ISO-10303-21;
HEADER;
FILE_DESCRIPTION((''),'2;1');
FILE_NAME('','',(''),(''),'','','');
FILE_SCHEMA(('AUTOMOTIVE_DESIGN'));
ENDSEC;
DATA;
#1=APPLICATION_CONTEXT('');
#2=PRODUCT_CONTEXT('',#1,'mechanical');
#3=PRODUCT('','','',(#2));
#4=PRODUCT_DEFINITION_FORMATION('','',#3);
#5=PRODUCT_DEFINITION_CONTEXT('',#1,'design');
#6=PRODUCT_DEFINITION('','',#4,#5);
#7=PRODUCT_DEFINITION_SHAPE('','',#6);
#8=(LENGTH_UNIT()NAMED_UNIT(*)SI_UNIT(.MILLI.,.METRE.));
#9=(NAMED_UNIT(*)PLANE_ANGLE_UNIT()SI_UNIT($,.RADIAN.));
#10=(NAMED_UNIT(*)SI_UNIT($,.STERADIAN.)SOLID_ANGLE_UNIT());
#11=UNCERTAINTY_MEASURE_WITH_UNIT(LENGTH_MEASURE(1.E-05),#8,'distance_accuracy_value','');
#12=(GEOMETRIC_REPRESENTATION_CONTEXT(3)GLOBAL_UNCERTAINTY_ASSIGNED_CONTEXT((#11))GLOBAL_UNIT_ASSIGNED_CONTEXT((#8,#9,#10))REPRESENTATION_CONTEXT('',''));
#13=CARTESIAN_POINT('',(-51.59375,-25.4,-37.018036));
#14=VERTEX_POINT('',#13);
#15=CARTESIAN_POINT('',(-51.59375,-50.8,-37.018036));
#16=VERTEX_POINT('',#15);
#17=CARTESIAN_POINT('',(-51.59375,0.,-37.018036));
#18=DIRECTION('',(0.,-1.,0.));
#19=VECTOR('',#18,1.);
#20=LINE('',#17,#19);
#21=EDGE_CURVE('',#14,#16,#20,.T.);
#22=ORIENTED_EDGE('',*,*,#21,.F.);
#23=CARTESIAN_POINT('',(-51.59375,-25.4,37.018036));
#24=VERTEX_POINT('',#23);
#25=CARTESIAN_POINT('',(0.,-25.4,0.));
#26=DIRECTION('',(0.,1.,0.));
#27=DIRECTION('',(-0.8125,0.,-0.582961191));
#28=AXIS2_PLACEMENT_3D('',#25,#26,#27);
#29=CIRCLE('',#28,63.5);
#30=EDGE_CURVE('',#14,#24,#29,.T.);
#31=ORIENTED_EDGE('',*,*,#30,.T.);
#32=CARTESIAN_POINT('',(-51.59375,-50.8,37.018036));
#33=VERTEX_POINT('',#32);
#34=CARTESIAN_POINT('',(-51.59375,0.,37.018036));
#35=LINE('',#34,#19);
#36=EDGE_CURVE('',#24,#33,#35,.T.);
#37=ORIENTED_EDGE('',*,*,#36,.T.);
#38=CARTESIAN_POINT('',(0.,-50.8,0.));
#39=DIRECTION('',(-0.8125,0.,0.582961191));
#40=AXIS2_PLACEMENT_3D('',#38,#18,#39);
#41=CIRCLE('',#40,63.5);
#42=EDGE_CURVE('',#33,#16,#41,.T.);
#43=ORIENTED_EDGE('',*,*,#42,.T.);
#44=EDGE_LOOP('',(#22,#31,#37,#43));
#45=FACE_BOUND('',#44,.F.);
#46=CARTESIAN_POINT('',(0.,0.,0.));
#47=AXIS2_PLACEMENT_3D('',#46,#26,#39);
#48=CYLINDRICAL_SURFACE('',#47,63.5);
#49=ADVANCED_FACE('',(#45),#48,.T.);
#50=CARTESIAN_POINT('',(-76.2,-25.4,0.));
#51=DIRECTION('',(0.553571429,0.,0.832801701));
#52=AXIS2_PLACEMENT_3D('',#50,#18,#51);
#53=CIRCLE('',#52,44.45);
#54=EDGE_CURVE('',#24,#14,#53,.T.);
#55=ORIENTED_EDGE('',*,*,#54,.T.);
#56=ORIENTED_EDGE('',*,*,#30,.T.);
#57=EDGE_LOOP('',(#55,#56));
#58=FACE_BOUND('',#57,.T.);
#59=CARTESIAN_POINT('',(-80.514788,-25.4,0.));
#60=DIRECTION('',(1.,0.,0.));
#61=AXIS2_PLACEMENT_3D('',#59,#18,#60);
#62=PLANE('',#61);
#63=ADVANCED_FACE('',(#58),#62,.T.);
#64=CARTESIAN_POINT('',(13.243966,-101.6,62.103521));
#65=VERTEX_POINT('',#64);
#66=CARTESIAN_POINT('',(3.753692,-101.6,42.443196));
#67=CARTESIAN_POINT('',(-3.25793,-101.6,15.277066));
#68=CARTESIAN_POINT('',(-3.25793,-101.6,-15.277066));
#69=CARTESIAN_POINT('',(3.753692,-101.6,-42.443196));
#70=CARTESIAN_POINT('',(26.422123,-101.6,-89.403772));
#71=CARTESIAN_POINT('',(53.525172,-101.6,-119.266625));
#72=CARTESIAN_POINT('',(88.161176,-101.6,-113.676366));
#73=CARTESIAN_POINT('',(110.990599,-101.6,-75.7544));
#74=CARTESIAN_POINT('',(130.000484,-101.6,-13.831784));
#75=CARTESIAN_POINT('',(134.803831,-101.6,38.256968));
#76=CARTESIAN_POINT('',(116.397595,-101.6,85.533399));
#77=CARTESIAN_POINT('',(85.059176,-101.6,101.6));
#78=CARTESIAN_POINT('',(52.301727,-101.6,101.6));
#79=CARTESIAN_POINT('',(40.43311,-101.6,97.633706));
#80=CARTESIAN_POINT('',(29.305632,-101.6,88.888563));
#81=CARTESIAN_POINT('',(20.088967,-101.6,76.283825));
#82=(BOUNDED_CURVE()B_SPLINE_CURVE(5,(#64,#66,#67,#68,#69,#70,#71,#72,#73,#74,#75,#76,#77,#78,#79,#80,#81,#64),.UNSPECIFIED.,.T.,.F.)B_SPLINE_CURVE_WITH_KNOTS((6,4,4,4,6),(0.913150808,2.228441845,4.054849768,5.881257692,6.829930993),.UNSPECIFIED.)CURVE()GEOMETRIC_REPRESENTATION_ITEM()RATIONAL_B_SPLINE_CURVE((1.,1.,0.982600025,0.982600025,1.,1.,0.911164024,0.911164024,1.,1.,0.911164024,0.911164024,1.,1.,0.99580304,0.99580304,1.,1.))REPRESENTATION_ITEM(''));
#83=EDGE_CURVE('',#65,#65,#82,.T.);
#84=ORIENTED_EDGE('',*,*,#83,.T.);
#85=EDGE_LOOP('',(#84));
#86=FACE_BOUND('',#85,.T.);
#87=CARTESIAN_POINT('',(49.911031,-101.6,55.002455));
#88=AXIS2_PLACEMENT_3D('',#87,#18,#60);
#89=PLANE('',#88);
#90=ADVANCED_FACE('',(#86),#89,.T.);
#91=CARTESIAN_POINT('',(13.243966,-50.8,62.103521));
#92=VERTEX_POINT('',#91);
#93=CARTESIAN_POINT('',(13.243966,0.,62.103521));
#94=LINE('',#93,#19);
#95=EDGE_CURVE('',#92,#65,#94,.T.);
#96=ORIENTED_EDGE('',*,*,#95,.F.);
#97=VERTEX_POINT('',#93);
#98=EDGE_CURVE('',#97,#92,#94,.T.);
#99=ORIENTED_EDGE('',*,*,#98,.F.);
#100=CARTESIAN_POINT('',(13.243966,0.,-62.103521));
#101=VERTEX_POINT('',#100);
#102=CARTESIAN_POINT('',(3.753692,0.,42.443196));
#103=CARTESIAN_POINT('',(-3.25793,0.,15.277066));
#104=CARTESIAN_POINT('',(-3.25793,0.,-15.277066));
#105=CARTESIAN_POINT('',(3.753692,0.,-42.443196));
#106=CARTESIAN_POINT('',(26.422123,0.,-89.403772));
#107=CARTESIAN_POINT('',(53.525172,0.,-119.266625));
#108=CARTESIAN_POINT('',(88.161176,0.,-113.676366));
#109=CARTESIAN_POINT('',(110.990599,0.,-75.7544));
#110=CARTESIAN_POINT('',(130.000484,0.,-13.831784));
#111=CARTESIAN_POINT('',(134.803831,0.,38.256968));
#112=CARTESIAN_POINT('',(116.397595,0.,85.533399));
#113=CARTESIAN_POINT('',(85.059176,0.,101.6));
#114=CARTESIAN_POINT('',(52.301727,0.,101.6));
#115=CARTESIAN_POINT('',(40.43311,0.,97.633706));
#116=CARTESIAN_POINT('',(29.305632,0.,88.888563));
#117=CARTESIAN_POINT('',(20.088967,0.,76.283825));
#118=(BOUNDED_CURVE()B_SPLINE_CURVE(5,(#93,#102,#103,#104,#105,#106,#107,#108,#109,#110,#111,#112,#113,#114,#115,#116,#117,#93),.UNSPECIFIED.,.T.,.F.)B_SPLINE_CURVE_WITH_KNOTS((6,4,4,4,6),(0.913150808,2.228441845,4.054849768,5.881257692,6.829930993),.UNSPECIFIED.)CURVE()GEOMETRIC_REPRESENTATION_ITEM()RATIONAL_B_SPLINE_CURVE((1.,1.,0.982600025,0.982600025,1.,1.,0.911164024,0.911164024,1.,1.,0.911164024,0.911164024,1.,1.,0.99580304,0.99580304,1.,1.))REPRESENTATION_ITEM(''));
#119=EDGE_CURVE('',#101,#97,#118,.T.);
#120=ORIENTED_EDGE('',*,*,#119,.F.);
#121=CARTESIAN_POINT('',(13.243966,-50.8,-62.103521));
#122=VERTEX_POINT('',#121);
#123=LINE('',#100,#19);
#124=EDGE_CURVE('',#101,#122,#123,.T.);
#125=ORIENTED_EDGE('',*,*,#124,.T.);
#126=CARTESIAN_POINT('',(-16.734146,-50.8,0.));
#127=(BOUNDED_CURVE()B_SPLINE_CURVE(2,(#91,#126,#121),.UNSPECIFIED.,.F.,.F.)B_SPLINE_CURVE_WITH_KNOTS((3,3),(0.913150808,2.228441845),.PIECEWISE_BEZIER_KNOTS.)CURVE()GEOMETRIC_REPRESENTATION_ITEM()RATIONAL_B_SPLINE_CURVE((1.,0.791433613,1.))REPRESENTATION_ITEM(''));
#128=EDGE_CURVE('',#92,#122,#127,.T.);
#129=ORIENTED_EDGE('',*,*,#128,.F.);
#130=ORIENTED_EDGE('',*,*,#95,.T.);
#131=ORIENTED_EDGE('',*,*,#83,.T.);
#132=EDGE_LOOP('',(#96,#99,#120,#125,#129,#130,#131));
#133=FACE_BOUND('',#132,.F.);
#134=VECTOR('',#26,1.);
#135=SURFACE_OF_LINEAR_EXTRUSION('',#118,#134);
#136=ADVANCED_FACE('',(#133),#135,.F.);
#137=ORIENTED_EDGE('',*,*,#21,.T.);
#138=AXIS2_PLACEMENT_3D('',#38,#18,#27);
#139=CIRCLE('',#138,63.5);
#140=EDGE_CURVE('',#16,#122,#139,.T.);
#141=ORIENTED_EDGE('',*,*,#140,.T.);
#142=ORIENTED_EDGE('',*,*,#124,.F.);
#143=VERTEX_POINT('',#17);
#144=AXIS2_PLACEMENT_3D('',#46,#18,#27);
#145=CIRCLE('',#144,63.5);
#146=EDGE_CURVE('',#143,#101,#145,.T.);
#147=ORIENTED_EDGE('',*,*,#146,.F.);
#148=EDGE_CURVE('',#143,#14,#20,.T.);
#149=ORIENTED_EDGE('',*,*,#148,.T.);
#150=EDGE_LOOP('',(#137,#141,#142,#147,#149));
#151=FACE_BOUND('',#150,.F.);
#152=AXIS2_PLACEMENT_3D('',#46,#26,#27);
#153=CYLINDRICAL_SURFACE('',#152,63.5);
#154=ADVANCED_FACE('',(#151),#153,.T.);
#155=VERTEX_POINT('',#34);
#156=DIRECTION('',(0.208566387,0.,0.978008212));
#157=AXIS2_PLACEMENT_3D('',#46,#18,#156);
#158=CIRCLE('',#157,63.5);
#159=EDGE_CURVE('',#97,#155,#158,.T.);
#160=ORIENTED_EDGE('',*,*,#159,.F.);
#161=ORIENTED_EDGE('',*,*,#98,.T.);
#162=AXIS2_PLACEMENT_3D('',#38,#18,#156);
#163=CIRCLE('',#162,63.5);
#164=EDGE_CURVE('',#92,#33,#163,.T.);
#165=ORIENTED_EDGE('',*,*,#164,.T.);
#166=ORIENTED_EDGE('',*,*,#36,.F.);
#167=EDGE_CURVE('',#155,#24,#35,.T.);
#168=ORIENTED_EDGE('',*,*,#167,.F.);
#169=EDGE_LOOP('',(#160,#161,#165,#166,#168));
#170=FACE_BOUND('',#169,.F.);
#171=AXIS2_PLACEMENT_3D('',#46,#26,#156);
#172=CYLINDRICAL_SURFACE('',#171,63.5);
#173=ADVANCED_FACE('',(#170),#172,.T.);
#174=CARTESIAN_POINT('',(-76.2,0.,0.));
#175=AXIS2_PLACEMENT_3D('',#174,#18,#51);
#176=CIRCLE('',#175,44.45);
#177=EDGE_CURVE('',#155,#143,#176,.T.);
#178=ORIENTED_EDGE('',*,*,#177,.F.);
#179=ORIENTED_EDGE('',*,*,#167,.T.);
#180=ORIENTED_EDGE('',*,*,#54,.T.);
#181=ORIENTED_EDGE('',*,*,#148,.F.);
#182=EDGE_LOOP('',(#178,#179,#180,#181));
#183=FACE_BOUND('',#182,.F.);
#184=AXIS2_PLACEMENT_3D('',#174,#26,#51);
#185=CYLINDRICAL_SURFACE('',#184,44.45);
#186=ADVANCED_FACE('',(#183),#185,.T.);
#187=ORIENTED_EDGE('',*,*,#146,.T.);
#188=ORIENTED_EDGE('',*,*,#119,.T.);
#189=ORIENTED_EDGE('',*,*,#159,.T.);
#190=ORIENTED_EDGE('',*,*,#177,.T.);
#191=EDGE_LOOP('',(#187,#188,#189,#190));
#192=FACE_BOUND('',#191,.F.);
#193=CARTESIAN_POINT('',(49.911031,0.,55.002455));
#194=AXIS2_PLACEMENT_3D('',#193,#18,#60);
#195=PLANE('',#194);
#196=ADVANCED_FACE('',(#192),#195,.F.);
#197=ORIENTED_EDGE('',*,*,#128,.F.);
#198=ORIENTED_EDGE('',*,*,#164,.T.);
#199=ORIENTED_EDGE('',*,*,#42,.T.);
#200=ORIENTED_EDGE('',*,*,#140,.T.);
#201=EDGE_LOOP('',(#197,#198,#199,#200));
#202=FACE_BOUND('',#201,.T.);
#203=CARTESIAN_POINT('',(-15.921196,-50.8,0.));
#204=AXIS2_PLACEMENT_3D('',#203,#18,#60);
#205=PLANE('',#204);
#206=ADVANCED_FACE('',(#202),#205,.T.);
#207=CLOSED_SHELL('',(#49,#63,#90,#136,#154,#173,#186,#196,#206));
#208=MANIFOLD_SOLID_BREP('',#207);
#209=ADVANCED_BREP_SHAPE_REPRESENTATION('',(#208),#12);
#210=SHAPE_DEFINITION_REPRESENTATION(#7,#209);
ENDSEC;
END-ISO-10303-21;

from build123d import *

# Parameters (mm, degrees)
F1_DEPTH = 25.4
F2_DEPTH = 50.8
F3_DEPTH = 101.6


with BuildPart() as f1:
    # F0 (on Front) → F1 (new body)
    with BuildSketch(Plane.XZ):
        with BuildLine():
            ThreePointArc((-51.59375, -37.0180356169), (-63.5, 0), (-51.59375, 37.0180356169))
            ThreePointArc((-51.59375, 37.0180356169), (-120.65, 0), (-51.59375, -37.0180356169))
        make_face()
    extrude(amount=F1_DEPTH)

    # F0 (on Front) → F2 (join)
    with BuildSketch(Plane.XZ):
        with BuildLine():
            ThreePointArc((-51.59375, 37.0180356169), (-37.0237934934, 21.0006510316), (-31.75, 0))
            ThreePointArc((-31.75, 0), (-37.0237934934, -21.0006510316), (-51.59375, -37.0180356169))
            ThreePointArc((-51.59375, -37.0180356169), (-22.9128106244, -59.2220660674), (13.2439655959, -62.1035214404))
            add(Edge.make_bspline(
                [(13.2439655959, 62.1035214404), (-16.734145965, 0), (13.2439655959, -62.1035214404)],
                knots=[0.9131508081, 0.9131508081, 0.9131508081, 2.2284418454, 2.2284418454, 2.2284418454], degree=2, weights=[1, 0.7914336127, 1]))
            ThreePointArc((13.2439655959, 62.1035214404), (-22.9128106244, 59.2220660674), (-51.59375, 37.0180356169))
        make_face()
        with BuildLine():
            ThreePointArc((-51.59375, -37.0180356169), (-37.0237934934, -21.0006510316), (-31.75, 0))
            ThreePointArc((-31.75, 0), (-37.0237934934, 21.0006510316), (-51.59375, 37.0180356169))
            ThreePointArc((-51.59375, 37.0180356169), (-63.5, 0), (-51.59375, -37.0180356169))
        make_face()
    extrude(amount=F2_DEPTH)

    # F0 (on Front) → F3 (join)
    with BuildSketch(Plane.XZ):
        with BuildLine():
            add(Edge.make_bspline(
                [(63.5, 101.6), (32.3093875408, 101.6), (13.2439655959, 62.1035214404)],
                knots=[0, 0, 0, 0.9131508081, 0.9131508081, 0.9131508081], degree=2, weights=[1, 0.8975675831, 1]))
            ThreePointArc((13.2439655959, 62.1035214404), (49.3621404284, 39.9453262889), (63.5, 0))
            Line((63.5, 0), (63.5, 101.6))
        make_face()
        with BuildLine():
            ThreePointArc((63.5, 0), (49.3621404284, -39.9453262889), (13.2439655959, -62.1035214404))
            add(Edge.make_bspline(
                [(13.2439655959, -62.1035214404), (75.5537087854, -191.1861844445), (120.4955415237, -44.7930922222), (165.437374262, 101.6), (63.5, 101.6)],
                knots=[2.2284418454, 2.2284418454, 2.2284418454, 4.2558135763, 4.2558135763, 6.2831853072, 6.2831853072, 6.2831853072], degree=2, weights=[1, 0.5287358074, 1, 0.5287358074, 1]))
            Line((63.5, 101.6), (63.5, 0))
        make_face()
        with BuildLine():
            ThreePointArc((63.5, 0), (49.3621404284, 39.9453262889), (13.2439655959, 62.1035214404))
            add(Edge.make_bspline(
                [(13.2439655959, 62.1035214404), (-16.734145965, 0), (13.2439655959, -62.1035214404)],
                knots=[0.9131508081, 0.9131508081, 0.9131508081, 2.2284418454, 2.2284418454, 2.2284418454], degree=2, weights=[1, 0.7914336127, 1]))
            ThreePointArc((13.2439655959, -62.1035214404), (49.3621404284, -39.9453262889), (63.5, 0))
        make_face()
    extrude(amount=F3_DEPTH)


solid = f1.part
